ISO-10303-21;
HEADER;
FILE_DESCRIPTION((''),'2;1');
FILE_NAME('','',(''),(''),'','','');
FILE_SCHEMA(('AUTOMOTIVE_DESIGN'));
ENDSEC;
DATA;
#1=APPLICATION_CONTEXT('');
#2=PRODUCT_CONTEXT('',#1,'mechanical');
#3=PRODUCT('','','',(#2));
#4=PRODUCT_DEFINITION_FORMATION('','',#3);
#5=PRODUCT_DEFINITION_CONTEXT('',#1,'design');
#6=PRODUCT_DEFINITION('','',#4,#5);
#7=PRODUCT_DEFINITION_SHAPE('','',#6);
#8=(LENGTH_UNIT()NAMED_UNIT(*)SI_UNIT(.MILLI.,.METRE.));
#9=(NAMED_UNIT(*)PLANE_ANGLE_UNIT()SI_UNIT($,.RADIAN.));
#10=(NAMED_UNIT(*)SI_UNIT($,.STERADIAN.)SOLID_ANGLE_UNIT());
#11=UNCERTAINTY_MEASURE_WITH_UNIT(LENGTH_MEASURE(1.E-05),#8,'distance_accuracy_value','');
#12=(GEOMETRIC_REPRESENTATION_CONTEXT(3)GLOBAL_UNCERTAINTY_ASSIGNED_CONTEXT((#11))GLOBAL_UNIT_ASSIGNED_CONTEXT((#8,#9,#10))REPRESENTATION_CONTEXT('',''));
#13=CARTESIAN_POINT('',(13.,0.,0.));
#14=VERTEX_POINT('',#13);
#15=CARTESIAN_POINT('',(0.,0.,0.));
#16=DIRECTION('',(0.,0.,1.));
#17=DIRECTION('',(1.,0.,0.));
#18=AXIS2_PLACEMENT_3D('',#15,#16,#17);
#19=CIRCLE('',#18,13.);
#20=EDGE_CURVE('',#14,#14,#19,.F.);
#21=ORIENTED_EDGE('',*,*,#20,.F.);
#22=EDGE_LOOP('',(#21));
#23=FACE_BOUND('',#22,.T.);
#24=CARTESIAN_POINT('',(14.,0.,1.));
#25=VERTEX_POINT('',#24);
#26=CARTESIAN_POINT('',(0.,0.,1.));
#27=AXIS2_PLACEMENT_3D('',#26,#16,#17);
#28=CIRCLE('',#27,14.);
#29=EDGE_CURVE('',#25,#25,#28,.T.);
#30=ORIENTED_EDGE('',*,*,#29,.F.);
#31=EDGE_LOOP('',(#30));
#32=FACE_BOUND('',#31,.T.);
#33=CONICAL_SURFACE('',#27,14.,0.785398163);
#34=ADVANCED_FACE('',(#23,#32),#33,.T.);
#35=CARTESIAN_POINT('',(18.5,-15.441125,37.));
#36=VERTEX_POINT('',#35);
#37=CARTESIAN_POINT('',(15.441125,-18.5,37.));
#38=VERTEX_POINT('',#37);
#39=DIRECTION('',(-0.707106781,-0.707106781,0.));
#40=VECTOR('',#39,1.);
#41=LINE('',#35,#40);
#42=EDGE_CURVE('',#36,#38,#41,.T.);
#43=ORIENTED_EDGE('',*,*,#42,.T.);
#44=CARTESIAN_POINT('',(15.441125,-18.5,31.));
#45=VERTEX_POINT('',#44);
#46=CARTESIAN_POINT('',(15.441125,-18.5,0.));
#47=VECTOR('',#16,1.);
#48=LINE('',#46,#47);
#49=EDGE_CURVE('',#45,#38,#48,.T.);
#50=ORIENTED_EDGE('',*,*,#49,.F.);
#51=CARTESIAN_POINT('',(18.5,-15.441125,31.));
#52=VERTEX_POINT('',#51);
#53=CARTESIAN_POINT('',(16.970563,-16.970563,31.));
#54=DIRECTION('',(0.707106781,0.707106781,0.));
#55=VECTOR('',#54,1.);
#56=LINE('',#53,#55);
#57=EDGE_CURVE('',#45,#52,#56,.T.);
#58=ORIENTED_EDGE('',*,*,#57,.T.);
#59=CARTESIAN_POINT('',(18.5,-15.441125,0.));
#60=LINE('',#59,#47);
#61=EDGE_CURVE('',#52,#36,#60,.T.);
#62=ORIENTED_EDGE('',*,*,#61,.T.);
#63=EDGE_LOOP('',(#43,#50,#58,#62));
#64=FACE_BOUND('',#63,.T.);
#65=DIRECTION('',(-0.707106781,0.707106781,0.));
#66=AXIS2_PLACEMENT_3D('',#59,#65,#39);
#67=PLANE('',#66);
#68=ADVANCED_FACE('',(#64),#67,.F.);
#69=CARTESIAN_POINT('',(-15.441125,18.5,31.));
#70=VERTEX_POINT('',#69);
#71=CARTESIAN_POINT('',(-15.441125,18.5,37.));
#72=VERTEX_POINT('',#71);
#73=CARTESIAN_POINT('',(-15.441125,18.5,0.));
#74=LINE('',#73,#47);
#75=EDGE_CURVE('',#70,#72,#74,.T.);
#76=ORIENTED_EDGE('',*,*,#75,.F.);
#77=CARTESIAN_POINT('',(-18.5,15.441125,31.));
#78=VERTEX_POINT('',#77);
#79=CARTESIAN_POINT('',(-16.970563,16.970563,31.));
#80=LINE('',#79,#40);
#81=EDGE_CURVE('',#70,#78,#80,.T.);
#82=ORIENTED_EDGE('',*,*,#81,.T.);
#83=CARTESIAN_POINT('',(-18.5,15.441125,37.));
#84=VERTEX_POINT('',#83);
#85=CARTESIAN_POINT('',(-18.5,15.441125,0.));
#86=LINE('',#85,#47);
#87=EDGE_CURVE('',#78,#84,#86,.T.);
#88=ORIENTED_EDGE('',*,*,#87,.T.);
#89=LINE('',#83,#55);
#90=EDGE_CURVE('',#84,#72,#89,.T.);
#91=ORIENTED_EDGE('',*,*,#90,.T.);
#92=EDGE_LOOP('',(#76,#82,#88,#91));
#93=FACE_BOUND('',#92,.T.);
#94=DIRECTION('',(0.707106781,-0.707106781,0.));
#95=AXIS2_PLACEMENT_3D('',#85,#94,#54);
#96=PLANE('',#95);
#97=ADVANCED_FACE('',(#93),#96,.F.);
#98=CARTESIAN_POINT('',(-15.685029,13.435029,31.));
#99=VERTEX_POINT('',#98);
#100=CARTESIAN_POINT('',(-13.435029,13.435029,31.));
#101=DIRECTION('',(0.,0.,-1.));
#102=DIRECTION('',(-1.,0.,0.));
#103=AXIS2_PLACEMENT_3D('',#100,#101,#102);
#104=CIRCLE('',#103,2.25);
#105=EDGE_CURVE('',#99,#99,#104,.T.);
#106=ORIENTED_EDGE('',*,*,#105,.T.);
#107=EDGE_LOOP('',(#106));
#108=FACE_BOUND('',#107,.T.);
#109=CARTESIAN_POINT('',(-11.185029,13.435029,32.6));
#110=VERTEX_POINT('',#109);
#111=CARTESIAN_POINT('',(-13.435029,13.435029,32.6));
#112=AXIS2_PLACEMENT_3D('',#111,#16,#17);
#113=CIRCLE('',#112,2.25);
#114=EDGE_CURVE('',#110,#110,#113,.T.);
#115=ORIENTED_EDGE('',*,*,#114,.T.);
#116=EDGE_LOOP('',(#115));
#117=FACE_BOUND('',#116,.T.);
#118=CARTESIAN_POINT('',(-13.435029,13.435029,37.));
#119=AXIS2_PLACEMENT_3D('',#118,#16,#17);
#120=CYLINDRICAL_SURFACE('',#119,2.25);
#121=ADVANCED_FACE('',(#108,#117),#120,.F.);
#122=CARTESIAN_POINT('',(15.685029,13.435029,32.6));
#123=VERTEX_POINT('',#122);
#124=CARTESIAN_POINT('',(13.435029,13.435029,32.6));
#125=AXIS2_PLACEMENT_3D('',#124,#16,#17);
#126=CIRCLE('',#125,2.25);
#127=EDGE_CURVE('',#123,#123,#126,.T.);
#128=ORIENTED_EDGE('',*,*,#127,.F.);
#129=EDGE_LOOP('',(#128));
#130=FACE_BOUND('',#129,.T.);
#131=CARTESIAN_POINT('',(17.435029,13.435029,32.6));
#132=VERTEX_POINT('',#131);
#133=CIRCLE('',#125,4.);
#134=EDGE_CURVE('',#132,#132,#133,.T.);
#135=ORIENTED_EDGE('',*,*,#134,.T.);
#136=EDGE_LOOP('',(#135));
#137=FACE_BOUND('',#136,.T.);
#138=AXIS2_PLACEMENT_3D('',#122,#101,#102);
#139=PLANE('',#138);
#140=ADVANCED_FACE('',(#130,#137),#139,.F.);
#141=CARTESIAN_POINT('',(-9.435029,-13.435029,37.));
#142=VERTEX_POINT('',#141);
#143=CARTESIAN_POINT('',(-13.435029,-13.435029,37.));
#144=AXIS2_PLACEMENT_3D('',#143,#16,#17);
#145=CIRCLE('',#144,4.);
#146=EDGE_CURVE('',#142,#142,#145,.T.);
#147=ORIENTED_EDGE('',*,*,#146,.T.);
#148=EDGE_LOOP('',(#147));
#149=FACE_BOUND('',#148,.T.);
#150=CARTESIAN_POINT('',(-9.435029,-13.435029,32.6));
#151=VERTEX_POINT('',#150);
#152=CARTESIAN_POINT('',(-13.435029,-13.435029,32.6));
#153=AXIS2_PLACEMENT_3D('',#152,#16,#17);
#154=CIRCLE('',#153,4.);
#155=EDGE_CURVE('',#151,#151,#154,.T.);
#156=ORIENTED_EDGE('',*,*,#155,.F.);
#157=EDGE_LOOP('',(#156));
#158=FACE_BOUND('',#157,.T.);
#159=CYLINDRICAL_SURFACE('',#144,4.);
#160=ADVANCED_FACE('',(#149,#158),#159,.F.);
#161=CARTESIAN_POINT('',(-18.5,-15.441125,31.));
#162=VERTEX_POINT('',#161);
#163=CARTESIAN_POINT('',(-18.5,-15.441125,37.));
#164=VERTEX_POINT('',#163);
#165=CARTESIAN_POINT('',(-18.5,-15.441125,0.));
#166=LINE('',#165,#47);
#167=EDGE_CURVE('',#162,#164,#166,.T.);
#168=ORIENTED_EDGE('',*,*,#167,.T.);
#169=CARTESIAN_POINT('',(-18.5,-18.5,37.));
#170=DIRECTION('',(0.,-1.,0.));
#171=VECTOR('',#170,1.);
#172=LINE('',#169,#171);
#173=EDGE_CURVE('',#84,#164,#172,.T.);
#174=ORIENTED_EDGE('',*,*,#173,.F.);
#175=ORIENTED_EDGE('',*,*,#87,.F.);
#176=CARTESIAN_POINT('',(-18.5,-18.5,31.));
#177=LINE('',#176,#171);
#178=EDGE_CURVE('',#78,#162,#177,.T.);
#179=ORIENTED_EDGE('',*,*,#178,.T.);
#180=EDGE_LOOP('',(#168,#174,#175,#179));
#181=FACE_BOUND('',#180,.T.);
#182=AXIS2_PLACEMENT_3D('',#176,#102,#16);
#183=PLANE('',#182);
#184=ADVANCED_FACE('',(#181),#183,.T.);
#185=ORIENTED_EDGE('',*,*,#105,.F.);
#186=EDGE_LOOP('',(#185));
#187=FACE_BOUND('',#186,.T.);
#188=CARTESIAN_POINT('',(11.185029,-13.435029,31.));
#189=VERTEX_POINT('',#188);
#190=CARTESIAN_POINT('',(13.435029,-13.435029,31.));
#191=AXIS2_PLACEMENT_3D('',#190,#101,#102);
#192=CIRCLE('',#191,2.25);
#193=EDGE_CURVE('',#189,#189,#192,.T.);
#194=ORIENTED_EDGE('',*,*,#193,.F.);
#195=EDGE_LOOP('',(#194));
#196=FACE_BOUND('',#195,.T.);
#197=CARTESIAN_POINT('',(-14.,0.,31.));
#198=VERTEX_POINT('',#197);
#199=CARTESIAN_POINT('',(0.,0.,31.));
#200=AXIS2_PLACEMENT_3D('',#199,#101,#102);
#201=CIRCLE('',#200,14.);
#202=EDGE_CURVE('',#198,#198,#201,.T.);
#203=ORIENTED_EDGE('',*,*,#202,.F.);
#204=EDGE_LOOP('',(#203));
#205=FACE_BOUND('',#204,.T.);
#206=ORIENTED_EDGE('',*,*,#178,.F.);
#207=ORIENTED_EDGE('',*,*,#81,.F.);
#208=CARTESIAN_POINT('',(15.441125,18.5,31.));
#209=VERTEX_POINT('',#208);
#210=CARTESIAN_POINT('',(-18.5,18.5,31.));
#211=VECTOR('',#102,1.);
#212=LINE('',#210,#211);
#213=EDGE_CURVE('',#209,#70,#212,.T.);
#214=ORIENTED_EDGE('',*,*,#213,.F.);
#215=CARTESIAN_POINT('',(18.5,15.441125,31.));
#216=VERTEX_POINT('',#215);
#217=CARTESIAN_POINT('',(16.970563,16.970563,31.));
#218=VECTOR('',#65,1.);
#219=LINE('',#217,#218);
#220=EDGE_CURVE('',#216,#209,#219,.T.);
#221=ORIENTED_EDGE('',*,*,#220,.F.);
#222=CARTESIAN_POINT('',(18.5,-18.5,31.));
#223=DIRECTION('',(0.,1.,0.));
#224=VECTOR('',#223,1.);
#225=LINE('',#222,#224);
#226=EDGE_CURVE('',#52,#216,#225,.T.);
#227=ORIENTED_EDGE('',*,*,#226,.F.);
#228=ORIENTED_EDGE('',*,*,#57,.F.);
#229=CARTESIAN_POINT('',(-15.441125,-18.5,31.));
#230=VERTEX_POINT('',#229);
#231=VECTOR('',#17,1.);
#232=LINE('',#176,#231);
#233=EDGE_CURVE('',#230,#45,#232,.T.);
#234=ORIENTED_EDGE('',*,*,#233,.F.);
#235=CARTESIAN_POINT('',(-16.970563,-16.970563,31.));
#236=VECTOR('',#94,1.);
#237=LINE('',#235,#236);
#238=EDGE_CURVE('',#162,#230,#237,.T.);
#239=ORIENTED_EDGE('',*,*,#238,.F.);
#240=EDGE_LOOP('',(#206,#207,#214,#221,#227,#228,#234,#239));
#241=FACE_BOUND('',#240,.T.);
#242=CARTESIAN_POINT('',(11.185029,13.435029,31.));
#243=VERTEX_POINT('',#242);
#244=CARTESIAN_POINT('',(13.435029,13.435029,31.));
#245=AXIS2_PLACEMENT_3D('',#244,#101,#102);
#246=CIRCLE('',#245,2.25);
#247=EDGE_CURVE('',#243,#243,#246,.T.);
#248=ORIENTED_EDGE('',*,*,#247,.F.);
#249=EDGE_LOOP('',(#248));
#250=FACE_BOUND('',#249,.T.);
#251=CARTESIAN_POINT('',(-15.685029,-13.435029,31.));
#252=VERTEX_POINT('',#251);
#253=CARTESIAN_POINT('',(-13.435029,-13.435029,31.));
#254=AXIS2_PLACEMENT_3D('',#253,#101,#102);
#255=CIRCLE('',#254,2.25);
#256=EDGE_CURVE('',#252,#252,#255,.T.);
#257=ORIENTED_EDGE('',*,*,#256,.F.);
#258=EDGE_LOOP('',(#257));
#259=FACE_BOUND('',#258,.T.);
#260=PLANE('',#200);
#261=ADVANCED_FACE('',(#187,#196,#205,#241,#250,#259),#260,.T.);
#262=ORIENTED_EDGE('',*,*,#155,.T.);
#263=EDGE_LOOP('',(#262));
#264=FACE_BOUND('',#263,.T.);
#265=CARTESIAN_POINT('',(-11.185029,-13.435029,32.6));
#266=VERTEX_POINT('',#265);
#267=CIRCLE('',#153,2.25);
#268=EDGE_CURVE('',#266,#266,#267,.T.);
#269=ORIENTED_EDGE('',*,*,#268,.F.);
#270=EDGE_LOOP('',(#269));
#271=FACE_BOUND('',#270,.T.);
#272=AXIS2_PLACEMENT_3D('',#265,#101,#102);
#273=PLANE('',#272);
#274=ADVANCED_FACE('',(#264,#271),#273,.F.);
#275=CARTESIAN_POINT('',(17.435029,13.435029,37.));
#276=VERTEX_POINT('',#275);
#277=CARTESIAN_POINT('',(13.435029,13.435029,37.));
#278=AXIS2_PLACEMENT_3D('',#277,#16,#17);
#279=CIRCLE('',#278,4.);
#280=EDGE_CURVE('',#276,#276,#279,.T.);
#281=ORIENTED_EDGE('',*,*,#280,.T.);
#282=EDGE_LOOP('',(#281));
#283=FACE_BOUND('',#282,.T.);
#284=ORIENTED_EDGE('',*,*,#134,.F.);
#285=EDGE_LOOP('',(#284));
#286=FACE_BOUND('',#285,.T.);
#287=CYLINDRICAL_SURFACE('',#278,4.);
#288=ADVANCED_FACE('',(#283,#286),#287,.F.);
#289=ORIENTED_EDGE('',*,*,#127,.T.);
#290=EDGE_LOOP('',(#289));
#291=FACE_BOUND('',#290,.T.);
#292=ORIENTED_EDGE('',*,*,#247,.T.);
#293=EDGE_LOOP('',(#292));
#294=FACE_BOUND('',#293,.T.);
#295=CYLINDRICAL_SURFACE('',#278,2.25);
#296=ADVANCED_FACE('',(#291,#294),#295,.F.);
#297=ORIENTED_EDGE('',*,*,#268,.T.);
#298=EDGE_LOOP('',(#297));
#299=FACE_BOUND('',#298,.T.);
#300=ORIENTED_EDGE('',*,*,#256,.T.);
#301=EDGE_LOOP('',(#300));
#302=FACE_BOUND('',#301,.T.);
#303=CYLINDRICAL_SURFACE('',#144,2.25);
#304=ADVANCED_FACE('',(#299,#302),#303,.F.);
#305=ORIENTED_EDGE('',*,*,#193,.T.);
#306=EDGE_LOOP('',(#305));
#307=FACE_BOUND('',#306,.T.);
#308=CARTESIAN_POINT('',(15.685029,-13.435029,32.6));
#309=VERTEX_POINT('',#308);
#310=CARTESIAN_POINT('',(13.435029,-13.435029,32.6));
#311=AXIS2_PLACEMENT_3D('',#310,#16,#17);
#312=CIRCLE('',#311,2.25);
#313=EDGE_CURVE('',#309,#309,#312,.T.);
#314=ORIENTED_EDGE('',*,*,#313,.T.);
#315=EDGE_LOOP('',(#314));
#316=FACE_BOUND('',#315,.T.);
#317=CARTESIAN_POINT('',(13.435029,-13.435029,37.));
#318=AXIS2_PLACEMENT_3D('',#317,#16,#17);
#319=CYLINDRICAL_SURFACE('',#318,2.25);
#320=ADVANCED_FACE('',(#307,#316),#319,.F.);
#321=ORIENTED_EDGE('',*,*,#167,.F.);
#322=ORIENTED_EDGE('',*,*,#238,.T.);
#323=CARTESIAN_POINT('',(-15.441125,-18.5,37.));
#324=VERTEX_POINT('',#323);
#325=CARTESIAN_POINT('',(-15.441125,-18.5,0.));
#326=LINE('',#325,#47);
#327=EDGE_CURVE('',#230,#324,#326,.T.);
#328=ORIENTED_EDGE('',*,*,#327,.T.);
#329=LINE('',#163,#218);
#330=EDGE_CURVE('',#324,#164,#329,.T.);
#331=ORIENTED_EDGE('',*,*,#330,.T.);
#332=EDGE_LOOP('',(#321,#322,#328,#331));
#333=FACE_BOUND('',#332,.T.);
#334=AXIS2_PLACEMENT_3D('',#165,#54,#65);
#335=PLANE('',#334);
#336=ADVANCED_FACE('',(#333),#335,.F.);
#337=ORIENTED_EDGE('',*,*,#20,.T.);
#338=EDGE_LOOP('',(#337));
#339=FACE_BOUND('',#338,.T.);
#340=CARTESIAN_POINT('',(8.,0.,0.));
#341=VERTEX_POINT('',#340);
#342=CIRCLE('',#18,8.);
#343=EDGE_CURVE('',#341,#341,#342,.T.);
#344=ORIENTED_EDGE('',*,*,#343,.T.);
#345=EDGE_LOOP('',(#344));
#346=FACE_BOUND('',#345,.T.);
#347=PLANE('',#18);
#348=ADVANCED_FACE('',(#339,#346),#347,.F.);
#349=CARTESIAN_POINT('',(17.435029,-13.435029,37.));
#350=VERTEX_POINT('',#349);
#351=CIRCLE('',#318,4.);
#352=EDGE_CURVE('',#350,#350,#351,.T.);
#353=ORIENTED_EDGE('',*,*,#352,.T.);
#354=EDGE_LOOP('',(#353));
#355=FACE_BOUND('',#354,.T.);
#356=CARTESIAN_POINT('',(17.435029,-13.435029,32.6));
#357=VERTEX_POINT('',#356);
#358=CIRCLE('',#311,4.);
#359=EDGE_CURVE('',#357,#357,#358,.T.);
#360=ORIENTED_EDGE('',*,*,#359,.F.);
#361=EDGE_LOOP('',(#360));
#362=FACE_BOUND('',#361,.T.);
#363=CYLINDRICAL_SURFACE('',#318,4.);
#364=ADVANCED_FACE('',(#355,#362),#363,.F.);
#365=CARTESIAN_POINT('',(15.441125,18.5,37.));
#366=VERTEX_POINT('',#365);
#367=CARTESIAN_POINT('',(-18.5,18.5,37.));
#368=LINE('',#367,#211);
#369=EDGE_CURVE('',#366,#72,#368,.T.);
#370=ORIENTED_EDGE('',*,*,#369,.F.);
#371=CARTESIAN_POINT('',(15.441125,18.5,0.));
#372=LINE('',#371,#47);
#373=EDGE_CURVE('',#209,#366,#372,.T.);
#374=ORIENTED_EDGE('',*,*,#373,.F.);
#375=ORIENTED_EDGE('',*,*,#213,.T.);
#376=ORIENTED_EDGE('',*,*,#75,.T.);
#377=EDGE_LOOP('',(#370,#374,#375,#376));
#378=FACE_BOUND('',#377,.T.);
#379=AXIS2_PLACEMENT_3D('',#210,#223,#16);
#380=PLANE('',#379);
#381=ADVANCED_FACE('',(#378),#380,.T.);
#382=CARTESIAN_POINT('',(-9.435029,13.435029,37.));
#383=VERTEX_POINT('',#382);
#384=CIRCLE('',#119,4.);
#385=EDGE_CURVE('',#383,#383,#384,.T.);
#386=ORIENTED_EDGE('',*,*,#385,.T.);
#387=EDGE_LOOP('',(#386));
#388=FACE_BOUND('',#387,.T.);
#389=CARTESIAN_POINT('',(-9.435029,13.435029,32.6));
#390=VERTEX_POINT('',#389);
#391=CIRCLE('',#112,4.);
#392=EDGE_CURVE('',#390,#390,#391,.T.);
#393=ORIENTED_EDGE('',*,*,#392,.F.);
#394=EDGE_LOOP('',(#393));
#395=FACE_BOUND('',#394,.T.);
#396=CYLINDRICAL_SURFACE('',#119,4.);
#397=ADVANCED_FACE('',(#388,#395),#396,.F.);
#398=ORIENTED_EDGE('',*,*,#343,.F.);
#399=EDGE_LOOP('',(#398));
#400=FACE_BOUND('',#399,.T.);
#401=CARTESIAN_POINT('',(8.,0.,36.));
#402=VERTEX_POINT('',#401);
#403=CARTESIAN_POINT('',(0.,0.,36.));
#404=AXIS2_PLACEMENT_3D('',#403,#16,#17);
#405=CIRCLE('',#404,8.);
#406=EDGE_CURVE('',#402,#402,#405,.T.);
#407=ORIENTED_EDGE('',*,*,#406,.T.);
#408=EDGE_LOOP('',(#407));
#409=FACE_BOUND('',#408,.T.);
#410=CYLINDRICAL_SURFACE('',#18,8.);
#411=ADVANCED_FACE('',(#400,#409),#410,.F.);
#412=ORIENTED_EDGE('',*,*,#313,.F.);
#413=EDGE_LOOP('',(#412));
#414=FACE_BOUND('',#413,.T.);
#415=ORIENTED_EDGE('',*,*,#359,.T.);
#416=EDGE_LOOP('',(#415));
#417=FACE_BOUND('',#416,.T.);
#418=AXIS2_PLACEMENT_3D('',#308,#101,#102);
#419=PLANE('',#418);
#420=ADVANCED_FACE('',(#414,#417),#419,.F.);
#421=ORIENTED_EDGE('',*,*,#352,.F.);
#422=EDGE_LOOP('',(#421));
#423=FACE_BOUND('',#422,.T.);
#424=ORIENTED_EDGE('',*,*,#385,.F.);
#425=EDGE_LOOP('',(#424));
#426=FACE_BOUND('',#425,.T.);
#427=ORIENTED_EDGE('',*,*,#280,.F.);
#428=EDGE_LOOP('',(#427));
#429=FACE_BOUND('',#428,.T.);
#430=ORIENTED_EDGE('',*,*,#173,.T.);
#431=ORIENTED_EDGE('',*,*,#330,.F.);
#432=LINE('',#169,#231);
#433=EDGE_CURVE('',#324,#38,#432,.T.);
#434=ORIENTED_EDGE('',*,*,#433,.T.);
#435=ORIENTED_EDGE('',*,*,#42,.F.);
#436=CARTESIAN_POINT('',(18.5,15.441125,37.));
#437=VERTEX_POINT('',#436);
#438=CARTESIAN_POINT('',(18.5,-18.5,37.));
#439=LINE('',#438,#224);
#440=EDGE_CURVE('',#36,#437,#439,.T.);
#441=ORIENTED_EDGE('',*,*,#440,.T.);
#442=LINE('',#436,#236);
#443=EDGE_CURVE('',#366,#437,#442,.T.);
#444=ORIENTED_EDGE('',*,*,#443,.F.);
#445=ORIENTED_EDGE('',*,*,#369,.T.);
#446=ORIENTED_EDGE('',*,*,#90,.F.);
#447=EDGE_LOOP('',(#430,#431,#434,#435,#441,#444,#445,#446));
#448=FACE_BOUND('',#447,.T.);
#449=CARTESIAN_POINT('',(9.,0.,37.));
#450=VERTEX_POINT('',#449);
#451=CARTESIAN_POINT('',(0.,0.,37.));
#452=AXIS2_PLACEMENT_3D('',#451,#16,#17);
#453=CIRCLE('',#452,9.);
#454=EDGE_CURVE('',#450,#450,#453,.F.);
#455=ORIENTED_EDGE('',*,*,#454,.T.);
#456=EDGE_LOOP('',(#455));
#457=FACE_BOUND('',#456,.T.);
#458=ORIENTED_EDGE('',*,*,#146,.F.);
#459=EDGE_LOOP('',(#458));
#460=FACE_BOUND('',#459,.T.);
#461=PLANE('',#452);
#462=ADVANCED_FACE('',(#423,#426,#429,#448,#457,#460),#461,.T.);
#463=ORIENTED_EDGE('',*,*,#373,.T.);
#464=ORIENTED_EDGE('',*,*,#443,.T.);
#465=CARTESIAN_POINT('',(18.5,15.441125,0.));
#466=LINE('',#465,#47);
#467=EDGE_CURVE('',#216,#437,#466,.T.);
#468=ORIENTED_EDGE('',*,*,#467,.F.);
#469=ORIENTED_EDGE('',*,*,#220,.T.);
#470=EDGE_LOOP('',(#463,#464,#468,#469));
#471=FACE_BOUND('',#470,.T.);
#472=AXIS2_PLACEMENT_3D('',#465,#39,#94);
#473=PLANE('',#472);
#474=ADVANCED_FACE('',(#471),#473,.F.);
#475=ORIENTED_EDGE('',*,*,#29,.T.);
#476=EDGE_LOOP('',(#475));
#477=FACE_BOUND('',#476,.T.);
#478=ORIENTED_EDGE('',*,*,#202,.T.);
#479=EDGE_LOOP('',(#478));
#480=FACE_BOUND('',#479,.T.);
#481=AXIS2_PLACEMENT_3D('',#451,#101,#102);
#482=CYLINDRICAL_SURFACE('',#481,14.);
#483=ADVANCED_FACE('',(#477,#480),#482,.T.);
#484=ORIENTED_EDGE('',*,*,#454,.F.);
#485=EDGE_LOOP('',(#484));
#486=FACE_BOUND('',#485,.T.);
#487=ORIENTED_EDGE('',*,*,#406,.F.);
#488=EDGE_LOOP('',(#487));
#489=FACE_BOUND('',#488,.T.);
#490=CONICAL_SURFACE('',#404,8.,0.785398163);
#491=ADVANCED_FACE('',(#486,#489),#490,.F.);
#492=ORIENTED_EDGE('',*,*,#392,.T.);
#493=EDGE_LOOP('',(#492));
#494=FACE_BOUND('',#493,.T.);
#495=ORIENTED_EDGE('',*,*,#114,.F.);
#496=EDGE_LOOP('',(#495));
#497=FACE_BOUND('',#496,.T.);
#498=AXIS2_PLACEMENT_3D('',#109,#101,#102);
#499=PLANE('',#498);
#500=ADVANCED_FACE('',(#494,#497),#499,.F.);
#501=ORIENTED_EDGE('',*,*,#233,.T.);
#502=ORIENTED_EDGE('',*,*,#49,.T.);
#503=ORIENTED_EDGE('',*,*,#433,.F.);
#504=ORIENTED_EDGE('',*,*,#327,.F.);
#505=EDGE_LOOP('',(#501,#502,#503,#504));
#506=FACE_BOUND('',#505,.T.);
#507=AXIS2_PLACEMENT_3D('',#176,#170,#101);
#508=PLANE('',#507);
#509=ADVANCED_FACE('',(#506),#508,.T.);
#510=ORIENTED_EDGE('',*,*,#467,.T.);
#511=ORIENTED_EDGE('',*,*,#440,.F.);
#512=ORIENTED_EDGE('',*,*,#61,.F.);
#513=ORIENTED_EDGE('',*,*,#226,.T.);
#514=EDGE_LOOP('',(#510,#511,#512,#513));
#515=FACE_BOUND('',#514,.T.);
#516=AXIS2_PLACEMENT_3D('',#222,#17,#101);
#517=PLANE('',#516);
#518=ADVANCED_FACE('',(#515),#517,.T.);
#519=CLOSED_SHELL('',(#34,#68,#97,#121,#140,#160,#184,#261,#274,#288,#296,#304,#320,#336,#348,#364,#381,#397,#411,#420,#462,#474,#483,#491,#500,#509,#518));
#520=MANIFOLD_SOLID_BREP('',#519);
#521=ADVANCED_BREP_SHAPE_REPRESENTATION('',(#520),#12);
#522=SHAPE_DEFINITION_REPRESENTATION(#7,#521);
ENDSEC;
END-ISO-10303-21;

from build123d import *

# Parameters (mm, degrees)
SKETCH1_R                                           = 14
BOSS_EXTRUDE1_DEPTH                                 = 37
SKETCH2_W                                           = 37
SKETCH2_H                                           = 37
BOSS_EXTRUDE2_DEPTH                                 = 6
CUT_EXTRUDE1_DEPTH                                  = 46.315560241
CBORE_FOR_M4_HEX_SOCKET_HEAD_CAP_SCREW1_D           = 4.5
CBORE_FOR_M4_HEX_SOCKET_HEAD_CAP_SCREW1_DEPTH       = 22
CBORE_FOR_M4_HEX_SOCKET_HEAD_CAP_SCREW1_CBORE_D     = 8
CBORE_FOR_M4_HEX_SOCKET_HEAD_CAP_SCREW1_CBORE_DEPTH = 4.4
CBORE_FOR_M4_HEX_SOCKET_HEAD_CAP_SCREW1_TIP         = 1.351936393
SKETCH8_R                                           = 8
CUT_EXTRUDE2_DEPTH                                  = 46.315560241
CHAMFER1_SIZE                                       = 1


with BuildPart() as part:
    # Sketch1 → Boss-Extrude1 (new body)
    with BuildSketch(Plane.XY):
        Circle(SKETCH1_R)
    extrude(amount=BOSS_EXTRUDE1_DEPTH)

    # Sketch2 → Boss-Extrude2 (add)
    with BuildSketch(Plane.XY.offset(37)):
        Rectangle(SKETCH2_W, SKETCH2_H)
    extrude(amount=-BOSS_EXTRUDE2_DEPTH)

    # Sketch4 → Cut-Extrude1 (cut, through all)
    with BuildSketch(Plane.XY.offset(37)):
        Polygon((-18.5, 18.5), (-18.5, 15.441125497), (-15.441125497, 18.5), align=None)
        Polygon((15.441125497, 18.5), (18.5, 18.5), (18.5, 15.441125497), align=None)
        Polygon((18.5, -18.5), (18.5, -15.441125497), (15.441125497, -18.5), align=None)
        Polygon((-15.441125497, -18.5), (-18.5, -18.5), (-18.5, -15.441125497), align=None)
    extrude(amount=-CUT_EXTRUDE1_DEPTH, mode=Mode.SUBTRACT)

    # CBORE for M4 Hex Socket Head Cap Screw1
    with Locations(Plane.XY.offset(37)):
        with Locations((-13.435028843, 13.435028843), (13.435028843, 13.435028843), (13.435028843, -13.435028843), (-13.435028843, -13.435028843)):
            CounterBoreHole(CBORE_FOR_M4_HEX_SOCKET_HEAD_CAP_SCREW1_D / 2, CBORE_FOR_M4_HEX_SOCKET_HEAD_CAP_SCREW1_CBORE_D / 2, CBORE_FOR_M4_HEX_SOCKET_HEAD_CAP_SCREW1_CBORE_DEPTH, depth=CBORE_FOR_M4_HEX_SOCKET_HEAD_CAP_SCREW1_DEPTH)
            with Locations((0, 0, -(CBORE_FOR_M4_HEX_SOCKET_HEAD_CAP_SCREW1_DEPTH + CBORE_FOR_M4_HEX_SOCKET_HEAD_CAP_SCREW1_TIP / 2))):  # 118° drill point
                Cone(0, CBORE_FOR_M4_HEX_SOCKET_HEAD_CAP_SCREW1_D / 2, CBORE_FOR_M4_HEX_SOCKET_HEAD_CAP_SCREW1_TIP, mode=Mode.SUBTRACT)

    # Sketch8 → Cut-Extrude2 (cut, through all)
    with BuildSketch(Plane.XY.offset(37)):
        Circle(SKETCH8_R)
    extrude(amount=-CUT_EXTRUDE2_DEPTH, mode=Mode.SUBTRACT)

    # Chamfer1
    chamfer1_edges = [part.edges().sort_by_distance(p)[0] for p in [
        (-8, 0, 37),
        (-14, 0, 0),
    ]]
    chamfer(chamfer1_edges, length=CHAMFER1_SIZE)


solid = part.part
